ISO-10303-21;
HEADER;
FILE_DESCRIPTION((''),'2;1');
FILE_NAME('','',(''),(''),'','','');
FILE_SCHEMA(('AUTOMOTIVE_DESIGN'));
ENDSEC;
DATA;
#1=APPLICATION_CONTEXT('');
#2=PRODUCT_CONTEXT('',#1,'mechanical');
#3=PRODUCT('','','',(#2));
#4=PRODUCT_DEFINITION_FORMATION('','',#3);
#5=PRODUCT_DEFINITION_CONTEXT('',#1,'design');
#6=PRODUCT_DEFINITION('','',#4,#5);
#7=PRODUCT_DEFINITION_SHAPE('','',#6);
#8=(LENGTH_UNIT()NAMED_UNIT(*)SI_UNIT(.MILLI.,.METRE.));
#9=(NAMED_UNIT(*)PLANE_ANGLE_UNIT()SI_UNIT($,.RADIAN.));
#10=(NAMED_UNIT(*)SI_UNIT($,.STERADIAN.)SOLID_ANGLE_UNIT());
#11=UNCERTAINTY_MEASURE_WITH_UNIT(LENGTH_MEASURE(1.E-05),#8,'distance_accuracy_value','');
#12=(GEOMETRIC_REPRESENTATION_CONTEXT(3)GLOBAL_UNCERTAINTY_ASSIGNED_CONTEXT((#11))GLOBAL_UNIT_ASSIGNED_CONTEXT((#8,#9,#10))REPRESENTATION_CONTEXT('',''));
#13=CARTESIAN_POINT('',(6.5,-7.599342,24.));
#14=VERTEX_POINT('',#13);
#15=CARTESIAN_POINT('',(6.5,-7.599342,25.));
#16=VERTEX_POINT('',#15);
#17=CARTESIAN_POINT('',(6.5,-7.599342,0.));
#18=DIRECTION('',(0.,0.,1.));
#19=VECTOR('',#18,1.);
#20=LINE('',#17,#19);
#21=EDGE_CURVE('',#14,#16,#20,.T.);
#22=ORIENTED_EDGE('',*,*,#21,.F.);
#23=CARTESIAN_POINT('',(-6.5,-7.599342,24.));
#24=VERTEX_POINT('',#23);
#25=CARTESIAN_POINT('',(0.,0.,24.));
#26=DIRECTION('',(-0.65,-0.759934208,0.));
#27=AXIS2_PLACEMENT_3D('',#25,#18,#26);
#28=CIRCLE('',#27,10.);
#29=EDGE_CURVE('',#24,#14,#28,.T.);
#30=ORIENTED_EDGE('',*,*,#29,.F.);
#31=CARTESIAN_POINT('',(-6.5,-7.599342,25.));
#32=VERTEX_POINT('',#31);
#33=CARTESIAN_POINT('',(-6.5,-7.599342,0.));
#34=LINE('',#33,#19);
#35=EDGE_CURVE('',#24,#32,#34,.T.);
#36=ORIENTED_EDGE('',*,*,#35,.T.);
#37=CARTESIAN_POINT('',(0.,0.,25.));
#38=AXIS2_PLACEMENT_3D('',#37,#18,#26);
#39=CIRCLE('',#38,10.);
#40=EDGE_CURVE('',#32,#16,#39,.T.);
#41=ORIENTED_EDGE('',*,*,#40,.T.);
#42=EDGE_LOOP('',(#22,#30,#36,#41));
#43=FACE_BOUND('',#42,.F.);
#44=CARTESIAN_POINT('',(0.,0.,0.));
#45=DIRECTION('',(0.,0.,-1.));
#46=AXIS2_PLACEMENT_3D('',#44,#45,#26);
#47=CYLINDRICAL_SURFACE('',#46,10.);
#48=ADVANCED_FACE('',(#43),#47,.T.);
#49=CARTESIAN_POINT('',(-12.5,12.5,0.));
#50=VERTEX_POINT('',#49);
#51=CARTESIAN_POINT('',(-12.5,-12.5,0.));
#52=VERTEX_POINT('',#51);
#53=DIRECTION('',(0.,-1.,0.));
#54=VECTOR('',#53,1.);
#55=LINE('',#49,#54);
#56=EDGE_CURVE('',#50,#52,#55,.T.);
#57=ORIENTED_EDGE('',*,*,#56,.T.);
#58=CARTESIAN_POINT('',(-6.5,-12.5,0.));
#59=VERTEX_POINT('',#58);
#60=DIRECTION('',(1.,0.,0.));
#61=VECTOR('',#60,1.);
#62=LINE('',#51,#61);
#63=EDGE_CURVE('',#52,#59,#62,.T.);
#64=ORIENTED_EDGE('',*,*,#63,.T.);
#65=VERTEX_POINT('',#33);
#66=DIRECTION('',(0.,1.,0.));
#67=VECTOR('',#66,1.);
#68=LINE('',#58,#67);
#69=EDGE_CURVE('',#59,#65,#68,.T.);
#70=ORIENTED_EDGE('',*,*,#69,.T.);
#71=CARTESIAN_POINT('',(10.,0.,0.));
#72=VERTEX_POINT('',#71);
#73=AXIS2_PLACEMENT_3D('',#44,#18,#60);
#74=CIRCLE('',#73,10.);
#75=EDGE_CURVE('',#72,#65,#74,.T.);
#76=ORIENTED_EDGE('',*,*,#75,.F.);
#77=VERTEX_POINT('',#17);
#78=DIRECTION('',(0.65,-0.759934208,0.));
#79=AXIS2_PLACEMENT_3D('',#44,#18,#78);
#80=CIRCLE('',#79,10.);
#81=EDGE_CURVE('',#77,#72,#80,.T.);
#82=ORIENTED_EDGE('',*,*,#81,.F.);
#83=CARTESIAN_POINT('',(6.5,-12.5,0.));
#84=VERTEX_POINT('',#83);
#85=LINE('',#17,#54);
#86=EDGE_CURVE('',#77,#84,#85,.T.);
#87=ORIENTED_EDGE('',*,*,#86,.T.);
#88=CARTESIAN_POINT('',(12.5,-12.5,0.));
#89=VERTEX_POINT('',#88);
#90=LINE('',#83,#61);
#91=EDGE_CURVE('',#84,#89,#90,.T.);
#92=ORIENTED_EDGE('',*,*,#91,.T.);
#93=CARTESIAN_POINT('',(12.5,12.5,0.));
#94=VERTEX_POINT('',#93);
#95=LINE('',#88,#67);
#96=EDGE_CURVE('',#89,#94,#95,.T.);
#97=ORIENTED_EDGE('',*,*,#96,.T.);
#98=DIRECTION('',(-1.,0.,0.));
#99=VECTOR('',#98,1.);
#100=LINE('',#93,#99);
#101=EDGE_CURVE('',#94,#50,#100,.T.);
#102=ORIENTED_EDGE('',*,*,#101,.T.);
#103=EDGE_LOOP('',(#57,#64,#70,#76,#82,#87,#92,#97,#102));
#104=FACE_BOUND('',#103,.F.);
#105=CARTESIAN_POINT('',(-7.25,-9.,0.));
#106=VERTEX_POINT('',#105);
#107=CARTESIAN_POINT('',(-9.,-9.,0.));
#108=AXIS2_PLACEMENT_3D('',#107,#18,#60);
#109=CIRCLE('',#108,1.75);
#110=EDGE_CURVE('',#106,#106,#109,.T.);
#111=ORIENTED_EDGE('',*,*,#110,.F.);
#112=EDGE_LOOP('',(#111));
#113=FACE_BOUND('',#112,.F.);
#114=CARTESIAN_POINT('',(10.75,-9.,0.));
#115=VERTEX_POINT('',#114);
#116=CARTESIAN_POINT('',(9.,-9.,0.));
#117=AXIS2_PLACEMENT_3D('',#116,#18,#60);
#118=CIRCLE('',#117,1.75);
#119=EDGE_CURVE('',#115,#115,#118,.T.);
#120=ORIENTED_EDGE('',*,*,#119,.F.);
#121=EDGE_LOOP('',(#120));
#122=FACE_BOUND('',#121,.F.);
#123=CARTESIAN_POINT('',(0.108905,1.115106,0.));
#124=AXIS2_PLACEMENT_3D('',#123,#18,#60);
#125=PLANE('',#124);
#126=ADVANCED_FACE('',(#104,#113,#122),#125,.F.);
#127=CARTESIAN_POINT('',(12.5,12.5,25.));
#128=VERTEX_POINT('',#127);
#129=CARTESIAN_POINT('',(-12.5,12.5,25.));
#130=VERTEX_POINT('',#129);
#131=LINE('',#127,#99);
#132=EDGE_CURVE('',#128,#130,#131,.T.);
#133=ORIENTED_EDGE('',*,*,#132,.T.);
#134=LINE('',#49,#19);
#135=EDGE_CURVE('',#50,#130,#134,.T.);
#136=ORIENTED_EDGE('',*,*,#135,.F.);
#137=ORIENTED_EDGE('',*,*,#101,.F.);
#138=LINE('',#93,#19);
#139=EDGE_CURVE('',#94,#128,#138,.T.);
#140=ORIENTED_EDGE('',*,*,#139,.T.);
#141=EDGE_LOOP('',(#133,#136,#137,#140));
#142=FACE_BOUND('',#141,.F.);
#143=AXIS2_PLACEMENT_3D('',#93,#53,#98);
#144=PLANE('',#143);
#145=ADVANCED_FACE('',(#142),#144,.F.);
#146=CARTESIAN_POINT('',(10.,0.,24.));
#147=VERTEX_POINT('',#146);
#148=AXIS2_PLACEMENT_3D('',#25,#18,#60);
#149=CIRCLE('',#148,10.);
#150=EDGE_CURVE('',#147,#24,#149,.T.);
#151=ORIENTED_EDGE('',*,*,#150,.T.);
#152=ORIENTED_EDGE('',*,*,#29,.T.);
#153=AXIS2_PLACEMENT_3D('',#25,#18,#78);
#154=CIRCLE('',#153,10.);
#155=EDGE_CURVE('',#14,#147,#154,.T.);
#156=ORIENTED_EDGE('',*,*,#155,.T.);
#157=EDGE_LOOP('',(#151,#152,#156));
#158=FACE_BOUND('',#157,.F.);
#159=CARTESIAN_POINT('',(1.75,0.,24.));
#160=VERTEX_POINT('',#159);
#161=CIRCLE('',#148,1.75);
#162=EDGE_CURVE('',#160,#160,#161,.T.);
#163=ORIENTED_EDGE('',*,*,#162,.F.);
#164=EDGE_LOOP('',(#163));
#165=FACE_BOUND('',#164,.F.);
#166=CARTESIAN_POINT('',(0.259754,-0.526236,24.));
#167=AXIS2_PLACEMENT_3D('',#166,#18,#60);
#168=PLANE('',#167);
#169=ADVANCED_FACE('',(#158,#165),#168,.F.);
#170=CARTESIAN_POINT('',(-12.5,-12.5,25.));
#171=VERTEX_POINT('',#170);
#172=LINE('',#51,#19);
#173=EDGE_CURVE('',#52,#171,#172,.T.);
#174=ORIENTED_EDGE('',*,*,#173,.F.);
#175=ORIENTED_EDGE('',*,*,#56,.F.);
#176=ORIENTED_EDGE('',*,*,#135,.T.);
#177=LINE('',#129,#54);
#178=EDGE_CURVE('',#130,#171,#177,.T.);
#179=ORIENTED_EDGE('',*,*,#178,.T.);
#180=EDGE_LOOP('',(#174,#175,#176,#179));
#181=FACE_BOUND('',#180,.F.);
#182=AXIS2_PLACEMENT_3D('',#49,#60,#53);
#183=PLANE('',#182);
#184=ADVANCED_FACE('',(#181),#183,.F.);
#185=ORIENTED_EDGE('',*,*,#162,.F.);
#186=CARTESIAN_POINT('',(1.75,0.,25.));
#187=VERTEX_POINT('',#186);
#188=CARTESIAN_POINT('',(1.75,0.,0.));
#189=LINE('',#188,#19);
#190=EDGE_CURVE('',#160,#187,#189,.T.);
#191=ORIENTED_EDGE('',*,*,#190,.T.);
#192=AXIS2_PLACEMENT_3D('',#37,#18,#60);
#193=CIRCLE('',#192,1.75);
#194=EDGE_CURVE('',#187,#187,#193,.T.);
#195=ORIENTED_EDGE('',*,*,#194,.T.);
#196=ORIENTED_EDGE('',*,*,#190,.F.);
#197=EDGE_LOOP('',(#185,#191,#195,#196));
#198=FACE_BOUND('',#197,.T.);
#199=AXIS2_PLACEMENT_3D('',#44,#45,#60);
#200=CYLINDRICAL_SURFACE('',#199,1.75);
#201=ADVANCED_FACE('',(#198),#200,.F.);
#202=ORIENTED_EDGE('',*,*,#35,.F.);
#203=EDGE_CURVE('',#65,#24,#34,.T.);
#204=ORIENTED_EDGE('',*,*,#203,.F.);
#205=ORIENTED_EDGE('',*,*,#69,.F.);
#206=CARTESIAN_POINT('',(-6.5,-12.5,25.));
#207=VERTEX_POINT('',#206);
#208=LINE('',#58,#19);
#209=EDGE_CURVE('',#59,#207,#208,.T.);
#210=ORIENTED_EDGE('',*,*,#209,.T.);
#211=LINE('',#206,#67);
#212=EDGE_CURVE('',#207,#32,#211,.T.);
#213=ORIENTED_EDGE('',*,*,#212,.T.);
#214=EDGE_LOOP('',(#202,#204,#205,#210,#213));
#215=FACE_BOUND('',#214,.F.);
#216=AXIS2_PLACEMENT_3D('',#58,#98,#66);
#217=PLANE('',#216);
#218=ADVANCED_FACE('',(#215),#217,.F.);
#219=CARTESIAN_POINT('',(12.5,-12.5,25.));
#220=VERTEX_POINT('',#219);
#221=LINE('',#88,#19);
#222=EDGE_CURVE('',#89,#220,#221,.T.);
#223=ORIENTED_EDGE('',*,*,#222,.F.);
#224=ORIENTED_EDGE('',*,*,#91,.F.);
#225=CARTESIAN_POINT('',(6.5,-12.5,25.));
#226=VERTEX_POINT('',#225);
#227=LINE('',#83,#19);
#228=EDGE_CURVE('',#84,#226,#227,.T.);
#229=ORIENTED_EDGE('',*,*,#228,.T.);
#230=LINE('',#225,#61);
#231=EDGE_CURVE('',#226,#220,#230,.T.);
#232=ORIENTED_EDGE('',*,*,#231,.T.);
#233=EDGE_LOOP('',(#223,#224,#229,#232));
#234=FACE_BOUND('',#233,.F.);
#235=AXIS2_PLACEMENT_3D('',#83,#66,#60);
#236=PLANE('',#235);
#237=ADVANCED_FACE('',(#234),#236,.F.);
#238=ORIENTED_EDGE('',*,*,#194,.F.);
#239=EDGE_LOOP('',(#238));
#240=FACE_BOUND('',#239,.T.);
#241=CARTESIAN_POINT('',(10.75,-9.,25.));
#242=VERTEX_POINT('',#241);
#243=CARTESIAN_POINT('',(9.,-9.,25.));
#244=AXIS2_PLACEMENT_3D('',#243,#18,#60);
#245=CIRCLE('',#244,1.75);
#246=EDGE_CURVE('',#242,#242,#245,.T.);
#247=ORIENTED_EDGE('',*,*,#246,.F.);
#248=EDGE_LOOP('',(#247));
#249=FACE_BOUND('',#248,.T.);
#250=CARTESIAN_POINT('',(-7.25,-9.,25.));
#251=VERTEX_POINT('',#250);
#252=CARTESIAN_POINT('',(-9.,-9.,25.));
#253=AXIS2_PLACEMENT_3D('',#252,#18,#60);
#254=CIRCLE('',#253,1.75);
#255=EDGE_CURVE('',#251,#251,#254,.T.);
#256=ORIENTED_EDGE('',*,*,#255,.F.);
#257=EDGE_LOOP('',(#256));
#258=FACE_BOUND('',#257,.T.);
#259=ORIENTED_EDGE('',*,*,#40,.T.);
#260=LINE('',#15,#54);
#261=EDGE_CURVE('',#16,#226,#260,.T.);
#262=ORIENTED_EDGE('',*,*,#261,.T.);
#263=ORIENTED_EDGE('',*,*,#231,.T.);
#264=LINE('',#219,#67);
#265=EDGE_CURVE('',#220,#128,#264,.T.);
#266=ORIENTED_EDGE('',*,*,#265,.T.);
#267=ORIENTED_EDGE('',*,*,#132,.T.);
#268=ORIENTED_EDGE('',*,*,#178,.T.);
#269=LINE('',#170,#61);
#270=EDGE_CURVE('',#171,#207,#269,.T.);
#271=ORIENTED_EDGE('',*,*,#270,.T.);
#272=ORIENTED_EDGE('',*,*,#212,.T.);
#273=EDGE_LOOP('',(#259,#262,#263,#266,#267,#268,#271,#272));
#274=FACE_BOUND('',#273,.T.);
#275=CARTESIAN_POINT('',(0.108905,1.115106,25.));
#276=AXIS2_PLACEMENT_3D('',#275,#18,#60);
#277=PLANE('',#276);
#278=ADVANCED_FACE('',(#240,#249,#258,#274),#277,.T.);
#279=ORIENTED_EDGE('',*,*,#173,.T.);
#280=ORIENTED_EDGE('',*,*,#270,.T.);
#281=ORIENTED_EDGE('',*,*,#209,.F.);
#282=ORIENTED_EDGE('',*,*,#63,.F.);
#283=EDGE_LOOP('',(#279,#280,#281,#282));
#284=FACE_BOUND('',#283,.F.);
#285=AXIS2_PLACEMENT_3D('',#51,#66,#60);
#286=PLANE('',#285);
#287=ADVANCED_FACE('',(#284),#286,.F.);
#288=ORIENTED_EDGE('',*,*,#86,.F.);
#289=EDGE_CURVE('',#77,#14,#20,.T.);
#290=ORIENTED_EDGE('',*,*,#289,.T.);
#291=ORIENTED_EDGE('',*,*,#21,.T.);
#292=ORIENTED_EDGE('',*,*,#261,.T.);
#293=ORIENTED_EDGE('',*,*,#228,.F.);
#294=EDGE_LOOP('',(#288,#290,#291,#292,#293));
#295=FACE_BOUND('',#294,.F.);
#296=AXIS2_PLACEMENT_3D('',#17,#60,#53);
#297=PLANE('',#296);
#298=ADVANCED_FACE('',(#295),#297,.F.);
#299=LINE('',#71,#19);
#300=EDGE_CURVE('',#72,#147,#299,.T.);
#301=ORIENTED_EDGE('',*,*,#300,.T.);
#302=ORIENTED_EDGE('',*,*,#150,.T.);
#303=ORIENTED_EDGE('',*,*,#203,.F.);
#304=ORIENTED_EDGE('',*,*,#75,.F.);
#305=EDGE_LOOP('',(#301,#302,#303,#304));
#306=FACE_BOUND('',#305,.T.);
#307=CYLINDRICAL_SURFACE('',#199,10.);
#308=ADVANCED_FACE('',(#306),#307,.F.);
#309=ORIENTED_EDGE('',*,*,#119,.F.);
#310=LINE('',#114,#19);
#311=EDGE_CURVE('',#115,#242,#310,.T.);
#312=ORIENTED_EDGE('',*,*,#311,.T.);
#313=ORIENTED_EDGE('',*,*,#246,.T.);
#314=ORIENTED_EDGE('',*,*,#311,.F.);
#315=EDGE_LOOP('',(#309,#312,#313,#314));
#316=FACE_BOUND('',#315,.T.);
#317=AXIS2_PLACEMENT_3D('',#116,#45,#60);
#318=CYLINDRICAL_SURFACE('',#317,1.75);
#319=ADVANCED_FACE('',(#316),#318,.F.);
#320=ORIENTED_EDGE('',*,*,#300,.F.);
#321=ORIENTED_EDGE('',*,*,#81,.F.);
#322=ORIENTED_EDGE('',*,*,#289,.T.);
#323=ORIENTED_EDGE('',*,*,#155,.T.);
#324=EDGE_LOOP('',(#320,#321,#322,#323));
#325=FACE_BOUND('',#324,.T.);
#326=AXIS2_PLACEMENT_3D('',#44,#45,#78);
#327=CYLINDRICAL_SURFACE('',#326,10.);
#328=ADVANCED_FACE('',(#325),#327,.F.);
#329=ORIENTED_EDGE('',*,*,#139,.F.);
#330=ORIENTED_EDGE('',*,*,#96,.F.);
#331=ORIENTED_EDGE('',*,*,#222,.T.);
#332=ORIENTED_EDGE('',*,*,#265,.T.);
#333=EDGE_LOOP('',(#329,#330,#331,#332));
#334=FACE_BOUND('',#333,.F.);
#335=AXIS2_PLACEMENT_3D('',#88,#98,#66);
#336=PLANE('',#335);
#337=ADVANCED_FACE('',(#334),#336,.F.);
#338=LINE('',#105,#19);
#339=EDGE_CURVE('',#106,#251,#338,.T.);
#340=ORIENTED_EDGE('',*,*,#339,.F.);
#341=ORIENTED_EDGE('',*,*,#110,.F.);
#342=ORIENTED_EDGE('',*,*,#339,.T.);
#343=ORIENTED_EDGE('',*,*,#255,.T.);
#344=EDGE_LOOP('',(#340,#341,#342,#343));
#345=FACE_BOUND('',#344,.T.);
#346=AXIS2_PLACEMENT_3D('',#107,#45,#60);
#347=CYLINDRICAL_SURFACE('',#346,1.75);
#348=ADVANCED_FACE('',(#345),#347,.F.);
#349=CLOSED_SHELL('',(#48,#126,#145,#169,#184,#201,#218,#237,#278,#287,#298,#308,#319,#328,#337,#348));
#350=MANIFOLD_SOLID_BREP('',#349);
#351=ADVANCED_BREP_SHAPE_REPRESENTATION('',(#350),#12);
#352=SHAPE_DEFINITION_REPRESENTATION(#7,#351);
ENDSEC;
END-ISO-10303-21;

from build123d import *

# Parameters (mm, degrees)
F0_R     = 1.75
F1_DEPTH = 25
F2_DEPTH = 24


with BuildPart() as f1:
    # F0 (on Top) → F1 (new body)
    with BuildSketch(Plane.XY):
        with BuildLine():
            Line((6.5, -12.5), (12.5, -12.5))
            Line((12.5, -12.5), (12.5, 12.5))
            Line((12.5, 12.5), (-12.5, 12.5))
            Line((-12.5, 12.5), (-12.5, -12.5))
            Line((-12.5, -12.5), (-6.5, -12.5))
            Line((-6.5, -12.5), (-6.5, -7.5993420768))
            ThreePointArc((-6.5, -7.5993420768), (-4.1833001327, 9.0829510623), (10, 0))
            ThreePointArc((10, 0), (9.0829510623, -4.1833001327), (6.5, -7.5993420768))
            Line((6.5, -7.5993420768), (6.5, -12.5))
        make_face()
        with Locations((-9, -9)):
            Circle(F0_R, mode=Mode.SUBTRACT)
        with Locations((9, -9)):
            Circle(F0_R, mode=Mode.SUBTRACT)
        with BuildLine():
            ThreePointArc((-6.5, -7.5993420768), (0, -10), (6.5, -7.5993420768))
            ThreePointArc((6.5, -7.5993420768), (9.0829510623, -4.1833001327), (10, 0))
            ThreePointArc((10, 0), (-4.1833001327, 9.0829510623), (-6.5, -7.5993420768))
        make_face()
        Circle(F0_R, mode=Mode.SUBTRACT)
    extrude(amount=F1_DEPTH)

    # F0 (on Top) → F2 (cut)
    with BuildSketch(Plane.XY):
        with BuildLine():
            ThreePointArc((-6.5, -7.5993420768), (0, -10), (6.5, -7.5993420768))
            ThreePointArc((6.5, -7.5993420768), (9.0829510623, -4.1833001327), (10, 0))
            ThreePointArc((10, 0), (-4.1833001327, 9.0829510623), (-6.5, -7.5993420768))
        make_face()
        Circle(F0_R, mode=Mode.SUBTRACT)
    extrude(amount=F2_DEPTH, mode=Mode.SUBTRACT)


solid = f1.part
